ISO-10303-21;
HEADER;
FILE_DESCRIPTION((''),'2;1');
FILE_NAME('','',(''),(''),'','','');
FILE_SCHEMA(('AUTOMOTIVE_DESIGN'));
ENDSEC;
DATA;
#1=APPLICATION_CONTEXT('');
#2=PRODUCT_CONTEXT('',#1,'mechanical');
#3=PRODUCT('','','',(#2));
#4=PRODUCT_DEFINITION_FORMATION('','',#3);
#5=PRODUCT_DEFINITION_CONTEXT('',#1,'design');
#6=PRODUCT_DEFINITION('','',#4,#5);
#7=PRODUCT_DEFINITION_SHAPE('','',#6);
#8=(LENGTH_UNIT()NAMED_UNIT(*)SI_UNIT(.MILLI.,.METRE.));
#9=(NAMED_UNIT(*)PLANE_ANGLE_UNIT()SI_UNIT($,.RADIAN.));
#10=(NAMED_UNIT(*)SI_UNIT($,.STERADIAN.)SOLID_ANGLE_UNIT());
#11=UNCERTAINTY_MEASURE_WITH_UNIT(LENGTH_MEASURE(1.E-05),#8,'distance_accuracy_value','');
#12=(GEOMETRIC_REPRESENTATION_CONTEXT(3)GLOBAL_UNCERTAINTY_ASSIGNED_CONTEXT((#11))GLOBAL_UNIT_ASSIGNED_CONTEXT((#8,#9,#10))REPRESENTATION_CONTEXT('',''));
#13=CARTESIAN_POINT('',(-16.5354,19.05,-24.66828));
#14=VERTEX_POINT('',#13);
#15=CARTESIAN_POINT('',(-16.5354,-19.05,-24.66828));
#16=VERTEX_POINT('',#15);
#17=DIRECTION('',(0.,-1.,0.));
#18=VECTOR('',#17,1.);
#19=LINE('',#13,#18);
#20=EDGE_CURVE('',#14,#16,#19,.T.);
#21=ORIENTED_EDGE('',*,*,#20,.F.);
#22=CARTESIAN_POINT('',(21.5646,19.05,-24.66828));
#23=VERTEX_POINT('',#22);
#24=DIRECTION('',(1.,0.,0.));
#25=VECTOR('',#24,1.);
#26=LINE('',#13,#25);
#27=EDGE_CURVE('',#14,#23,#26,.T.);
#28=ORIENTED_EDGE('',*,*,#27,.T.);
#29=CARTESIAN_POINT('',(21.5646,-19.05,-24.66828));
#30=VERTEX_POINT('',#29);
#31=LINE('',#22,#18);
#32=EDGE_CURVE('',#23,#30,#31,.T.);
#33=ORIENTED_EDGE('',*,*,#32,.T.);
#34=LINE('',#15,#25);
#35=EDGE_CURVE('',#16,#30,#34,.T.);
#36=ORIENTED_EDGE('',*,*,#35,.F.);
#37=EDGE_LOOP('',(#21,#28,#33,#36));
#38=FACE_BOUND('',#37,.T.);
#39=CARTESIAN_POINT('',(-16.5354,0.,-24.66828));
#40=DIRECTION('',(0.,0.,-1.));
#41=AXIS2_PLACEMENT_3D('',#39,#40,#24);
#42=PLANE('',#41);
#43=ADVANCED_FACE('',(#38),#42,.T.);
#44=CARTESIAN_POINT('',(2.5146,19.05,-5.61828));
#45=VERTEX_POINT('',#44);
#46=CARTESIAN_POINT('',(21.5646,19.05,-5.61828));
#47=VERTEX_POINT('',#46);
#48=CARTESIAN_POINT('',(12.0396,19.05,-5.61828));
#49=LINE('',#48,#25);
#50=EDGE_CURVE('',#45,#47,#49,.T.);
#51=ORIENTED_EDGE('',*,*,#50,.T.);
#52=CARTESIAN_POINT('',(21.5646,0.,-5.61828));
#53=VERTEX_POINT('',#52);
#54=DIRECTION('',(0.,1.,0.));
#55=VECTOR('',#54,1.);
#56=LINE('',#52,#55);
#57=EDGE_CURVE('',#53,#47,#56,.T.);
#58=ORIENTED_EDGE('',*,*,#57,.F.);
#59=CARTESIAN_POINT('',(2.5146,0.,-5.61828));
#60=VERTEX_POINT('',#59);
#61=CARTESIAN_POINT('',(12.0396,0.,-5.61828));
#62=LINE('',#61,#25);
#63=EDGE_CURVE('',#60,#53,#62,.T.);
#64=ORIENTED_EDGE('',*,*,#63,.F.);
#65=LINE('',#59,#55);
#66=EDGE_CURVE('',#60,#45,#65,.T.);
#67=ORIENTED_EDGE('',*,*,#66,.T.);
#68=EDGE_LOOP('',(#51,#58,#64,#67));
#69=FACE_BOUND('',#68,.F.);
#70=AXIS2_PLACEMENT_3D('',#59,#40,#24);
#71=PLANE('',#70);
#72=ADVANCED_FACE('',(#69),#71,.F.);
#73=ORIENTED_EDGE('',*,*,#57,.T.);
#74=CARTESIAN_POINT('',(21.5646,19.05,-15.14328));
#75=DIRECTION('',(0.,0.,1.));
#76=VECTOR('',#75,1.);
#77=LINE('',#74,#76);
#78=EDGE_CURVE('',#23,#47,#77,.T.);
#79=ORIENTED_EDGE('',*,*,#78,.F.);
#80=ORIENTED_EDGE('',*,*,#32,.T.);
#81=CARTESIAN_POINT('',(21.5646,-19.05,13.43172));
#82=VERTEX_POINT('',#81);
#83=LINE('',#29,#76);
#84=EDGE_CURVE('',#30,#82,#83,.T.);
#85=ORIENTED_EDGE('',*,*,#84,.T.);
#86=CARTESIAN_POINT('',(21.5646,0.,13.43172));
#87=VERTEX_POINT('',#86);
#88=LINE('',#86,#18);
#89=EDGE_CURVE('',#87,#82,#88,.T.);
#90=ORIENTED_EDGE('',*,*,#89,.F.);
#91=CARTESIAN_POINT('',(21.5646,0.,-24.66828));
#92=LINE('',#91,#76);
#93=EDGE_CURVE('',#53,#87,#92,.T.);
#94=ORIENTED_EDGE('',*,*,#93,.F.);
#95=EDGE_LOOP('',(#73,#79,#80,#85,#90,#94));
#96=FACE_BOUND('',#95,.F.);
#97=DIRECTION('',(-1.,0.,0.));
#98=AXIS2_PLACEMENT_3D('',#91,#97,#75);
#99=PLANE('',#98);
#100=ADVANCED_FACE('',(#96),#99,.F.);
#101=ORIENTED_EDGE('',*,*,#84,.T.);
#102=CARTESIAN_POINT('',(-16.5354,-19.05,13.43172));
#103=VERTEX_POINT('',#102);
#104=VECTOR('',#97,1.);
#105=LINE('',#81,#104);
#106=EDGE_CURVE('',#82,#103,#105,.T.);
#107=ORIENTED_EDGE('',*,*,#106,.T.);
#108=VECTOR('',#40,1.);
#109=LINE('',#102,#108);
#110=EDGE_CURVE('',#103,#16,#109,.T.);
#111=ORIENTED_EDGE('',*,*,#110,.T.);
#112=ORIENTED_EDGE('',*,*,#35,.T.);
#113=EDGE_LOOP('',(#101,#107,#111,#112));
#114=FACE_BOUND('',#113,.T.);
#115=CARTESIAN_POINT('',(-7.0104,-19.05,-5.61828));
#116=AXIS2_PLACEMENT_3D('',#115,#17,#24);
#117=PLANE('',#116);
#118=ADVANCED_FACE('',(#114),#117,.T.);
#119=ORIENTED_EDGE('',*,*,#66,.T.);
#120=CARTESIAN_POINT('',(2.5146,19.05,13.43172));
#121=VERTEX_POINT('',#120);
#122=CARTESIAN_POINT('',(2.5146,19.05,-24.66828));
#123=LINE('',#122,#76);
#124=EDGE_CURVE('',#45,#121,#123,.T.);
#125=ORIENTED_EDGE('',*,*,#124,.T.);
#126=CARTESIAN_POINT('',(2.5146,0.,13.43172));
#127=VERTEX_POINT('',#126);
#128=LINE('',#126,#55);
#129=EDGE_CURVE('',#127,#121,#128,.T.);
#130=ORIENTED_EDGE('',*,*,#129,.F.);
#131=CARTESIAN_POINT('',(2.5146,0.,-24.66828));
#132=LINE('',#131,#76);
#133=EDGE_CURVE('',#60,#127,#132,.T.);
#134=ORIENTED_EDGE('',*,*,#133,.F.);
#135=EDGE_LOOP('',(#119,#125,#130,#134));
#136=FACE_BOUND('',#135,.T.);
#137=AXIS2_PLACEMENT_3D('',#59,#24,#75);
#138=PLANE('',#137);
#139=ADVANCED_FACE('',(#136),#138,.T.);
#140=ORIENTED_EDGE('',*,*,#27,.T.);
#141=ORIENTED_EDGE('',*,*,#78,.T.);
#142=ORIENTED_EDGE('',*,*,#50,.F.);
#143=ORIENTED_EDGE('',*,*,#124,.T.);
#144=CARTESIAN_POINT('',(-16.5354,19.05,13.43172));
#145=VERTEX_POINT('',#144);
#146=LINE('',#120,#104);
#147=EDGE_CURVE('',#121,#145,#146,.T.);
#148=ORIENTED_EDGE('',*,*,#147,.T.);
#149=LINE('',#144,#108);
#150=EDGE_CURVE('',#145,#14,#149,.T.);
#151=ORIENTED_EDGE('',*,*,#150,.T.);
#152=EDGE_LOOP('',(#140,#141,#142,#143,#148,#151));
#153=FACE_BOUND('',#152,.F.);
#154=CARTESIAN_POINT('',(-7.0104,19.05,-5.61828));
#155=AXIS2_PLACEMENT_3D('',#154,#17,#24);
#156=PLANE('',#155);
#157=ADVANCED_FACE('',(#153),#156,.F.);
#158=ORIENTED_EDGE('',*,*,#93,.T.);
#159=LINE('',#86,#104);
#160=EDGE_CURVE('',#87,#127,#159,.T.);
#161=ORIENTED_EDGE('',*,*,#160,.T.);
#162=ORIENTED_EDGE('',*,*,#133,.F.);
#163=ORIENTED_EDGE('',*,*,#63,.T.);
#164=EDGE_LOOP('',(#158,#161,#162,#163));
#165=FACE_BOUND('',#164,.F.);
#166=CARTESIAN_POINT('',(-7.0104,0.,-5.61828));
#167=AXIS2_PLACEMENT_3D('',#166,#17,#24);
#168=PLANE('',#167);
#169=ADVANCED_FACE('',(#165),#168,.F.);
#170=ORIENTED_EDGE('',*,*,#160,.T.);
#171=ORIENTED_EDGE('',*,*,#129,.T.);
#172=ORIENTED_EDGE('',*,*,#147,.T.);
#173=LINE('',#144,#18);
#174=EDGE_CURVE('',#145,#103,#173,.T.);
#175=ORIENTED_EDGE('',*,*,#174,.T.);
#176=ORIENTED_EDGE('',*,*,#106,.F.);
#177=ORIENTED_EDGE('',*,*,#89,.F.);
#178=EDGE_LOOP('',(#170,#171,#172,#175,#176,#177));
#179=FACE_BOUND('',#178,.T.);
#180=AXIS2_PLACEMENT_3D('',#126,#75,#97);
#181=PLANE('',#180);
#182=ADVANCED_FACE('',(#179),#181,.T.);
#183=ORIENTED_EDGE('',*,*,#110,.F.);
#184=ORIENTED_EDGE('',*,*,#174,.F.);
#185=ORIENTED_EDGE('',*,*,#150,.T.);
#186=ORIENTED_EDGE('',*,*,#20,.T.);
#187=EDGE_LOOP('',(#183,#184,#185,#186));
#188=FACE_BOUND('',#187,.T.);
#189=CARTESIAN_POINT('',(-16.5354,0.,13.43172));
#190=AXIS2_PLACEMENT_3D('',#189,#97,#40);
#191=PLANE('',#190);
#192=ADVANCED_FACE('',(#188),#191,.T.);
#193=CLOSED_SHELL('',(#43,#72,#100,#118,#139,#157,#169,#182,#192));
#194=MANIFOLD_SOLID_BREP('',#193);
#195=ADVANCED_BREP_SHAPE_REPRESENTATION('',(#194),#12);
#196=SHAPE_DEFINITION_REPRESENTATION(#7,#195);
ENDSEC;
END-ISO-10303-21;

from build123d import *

# Parameters (mm, degrees)
F0_W     = 19.05
F0_H     = 19.05
F1_DEPTH = 19.05
F2_DEPTH = 19.05


with BuildPart() as f1:
    # F0 (on Front) → F1 (new body)
    with BuildSketch(Plane.XZ):
        Polygon((2.5146, 13.43172), (-16.5354, 13.43172), (-16.5354, -24.66828), (2.5146, -24.66828), (2.5146, -5.61828), align=None)
        with Locations((12.0396, -15.14328)):
            Rectangle(F0_W, F0_H)
        with Locations((12.0396, 3.90672)):
            Rectangle(F0_W, F0_H)
    extrude(amount=F1_DEPTH)

    # F0 (on Front) → F2 (join)
    with BuildSketch(Plane.XZ):
        Polygon((2.5146, 13.43172), (-16.5354, 13.43172), (-16.5354, -24.66828), (2.5146, -24.66828), (2.5146, -5.61828), align=None)
        with Locations((12.0396, -15.14328)):
            Rectangle(F0_W, F0_H)
    extrude(amount=-F2_DEPTH)


solid = f1.part
